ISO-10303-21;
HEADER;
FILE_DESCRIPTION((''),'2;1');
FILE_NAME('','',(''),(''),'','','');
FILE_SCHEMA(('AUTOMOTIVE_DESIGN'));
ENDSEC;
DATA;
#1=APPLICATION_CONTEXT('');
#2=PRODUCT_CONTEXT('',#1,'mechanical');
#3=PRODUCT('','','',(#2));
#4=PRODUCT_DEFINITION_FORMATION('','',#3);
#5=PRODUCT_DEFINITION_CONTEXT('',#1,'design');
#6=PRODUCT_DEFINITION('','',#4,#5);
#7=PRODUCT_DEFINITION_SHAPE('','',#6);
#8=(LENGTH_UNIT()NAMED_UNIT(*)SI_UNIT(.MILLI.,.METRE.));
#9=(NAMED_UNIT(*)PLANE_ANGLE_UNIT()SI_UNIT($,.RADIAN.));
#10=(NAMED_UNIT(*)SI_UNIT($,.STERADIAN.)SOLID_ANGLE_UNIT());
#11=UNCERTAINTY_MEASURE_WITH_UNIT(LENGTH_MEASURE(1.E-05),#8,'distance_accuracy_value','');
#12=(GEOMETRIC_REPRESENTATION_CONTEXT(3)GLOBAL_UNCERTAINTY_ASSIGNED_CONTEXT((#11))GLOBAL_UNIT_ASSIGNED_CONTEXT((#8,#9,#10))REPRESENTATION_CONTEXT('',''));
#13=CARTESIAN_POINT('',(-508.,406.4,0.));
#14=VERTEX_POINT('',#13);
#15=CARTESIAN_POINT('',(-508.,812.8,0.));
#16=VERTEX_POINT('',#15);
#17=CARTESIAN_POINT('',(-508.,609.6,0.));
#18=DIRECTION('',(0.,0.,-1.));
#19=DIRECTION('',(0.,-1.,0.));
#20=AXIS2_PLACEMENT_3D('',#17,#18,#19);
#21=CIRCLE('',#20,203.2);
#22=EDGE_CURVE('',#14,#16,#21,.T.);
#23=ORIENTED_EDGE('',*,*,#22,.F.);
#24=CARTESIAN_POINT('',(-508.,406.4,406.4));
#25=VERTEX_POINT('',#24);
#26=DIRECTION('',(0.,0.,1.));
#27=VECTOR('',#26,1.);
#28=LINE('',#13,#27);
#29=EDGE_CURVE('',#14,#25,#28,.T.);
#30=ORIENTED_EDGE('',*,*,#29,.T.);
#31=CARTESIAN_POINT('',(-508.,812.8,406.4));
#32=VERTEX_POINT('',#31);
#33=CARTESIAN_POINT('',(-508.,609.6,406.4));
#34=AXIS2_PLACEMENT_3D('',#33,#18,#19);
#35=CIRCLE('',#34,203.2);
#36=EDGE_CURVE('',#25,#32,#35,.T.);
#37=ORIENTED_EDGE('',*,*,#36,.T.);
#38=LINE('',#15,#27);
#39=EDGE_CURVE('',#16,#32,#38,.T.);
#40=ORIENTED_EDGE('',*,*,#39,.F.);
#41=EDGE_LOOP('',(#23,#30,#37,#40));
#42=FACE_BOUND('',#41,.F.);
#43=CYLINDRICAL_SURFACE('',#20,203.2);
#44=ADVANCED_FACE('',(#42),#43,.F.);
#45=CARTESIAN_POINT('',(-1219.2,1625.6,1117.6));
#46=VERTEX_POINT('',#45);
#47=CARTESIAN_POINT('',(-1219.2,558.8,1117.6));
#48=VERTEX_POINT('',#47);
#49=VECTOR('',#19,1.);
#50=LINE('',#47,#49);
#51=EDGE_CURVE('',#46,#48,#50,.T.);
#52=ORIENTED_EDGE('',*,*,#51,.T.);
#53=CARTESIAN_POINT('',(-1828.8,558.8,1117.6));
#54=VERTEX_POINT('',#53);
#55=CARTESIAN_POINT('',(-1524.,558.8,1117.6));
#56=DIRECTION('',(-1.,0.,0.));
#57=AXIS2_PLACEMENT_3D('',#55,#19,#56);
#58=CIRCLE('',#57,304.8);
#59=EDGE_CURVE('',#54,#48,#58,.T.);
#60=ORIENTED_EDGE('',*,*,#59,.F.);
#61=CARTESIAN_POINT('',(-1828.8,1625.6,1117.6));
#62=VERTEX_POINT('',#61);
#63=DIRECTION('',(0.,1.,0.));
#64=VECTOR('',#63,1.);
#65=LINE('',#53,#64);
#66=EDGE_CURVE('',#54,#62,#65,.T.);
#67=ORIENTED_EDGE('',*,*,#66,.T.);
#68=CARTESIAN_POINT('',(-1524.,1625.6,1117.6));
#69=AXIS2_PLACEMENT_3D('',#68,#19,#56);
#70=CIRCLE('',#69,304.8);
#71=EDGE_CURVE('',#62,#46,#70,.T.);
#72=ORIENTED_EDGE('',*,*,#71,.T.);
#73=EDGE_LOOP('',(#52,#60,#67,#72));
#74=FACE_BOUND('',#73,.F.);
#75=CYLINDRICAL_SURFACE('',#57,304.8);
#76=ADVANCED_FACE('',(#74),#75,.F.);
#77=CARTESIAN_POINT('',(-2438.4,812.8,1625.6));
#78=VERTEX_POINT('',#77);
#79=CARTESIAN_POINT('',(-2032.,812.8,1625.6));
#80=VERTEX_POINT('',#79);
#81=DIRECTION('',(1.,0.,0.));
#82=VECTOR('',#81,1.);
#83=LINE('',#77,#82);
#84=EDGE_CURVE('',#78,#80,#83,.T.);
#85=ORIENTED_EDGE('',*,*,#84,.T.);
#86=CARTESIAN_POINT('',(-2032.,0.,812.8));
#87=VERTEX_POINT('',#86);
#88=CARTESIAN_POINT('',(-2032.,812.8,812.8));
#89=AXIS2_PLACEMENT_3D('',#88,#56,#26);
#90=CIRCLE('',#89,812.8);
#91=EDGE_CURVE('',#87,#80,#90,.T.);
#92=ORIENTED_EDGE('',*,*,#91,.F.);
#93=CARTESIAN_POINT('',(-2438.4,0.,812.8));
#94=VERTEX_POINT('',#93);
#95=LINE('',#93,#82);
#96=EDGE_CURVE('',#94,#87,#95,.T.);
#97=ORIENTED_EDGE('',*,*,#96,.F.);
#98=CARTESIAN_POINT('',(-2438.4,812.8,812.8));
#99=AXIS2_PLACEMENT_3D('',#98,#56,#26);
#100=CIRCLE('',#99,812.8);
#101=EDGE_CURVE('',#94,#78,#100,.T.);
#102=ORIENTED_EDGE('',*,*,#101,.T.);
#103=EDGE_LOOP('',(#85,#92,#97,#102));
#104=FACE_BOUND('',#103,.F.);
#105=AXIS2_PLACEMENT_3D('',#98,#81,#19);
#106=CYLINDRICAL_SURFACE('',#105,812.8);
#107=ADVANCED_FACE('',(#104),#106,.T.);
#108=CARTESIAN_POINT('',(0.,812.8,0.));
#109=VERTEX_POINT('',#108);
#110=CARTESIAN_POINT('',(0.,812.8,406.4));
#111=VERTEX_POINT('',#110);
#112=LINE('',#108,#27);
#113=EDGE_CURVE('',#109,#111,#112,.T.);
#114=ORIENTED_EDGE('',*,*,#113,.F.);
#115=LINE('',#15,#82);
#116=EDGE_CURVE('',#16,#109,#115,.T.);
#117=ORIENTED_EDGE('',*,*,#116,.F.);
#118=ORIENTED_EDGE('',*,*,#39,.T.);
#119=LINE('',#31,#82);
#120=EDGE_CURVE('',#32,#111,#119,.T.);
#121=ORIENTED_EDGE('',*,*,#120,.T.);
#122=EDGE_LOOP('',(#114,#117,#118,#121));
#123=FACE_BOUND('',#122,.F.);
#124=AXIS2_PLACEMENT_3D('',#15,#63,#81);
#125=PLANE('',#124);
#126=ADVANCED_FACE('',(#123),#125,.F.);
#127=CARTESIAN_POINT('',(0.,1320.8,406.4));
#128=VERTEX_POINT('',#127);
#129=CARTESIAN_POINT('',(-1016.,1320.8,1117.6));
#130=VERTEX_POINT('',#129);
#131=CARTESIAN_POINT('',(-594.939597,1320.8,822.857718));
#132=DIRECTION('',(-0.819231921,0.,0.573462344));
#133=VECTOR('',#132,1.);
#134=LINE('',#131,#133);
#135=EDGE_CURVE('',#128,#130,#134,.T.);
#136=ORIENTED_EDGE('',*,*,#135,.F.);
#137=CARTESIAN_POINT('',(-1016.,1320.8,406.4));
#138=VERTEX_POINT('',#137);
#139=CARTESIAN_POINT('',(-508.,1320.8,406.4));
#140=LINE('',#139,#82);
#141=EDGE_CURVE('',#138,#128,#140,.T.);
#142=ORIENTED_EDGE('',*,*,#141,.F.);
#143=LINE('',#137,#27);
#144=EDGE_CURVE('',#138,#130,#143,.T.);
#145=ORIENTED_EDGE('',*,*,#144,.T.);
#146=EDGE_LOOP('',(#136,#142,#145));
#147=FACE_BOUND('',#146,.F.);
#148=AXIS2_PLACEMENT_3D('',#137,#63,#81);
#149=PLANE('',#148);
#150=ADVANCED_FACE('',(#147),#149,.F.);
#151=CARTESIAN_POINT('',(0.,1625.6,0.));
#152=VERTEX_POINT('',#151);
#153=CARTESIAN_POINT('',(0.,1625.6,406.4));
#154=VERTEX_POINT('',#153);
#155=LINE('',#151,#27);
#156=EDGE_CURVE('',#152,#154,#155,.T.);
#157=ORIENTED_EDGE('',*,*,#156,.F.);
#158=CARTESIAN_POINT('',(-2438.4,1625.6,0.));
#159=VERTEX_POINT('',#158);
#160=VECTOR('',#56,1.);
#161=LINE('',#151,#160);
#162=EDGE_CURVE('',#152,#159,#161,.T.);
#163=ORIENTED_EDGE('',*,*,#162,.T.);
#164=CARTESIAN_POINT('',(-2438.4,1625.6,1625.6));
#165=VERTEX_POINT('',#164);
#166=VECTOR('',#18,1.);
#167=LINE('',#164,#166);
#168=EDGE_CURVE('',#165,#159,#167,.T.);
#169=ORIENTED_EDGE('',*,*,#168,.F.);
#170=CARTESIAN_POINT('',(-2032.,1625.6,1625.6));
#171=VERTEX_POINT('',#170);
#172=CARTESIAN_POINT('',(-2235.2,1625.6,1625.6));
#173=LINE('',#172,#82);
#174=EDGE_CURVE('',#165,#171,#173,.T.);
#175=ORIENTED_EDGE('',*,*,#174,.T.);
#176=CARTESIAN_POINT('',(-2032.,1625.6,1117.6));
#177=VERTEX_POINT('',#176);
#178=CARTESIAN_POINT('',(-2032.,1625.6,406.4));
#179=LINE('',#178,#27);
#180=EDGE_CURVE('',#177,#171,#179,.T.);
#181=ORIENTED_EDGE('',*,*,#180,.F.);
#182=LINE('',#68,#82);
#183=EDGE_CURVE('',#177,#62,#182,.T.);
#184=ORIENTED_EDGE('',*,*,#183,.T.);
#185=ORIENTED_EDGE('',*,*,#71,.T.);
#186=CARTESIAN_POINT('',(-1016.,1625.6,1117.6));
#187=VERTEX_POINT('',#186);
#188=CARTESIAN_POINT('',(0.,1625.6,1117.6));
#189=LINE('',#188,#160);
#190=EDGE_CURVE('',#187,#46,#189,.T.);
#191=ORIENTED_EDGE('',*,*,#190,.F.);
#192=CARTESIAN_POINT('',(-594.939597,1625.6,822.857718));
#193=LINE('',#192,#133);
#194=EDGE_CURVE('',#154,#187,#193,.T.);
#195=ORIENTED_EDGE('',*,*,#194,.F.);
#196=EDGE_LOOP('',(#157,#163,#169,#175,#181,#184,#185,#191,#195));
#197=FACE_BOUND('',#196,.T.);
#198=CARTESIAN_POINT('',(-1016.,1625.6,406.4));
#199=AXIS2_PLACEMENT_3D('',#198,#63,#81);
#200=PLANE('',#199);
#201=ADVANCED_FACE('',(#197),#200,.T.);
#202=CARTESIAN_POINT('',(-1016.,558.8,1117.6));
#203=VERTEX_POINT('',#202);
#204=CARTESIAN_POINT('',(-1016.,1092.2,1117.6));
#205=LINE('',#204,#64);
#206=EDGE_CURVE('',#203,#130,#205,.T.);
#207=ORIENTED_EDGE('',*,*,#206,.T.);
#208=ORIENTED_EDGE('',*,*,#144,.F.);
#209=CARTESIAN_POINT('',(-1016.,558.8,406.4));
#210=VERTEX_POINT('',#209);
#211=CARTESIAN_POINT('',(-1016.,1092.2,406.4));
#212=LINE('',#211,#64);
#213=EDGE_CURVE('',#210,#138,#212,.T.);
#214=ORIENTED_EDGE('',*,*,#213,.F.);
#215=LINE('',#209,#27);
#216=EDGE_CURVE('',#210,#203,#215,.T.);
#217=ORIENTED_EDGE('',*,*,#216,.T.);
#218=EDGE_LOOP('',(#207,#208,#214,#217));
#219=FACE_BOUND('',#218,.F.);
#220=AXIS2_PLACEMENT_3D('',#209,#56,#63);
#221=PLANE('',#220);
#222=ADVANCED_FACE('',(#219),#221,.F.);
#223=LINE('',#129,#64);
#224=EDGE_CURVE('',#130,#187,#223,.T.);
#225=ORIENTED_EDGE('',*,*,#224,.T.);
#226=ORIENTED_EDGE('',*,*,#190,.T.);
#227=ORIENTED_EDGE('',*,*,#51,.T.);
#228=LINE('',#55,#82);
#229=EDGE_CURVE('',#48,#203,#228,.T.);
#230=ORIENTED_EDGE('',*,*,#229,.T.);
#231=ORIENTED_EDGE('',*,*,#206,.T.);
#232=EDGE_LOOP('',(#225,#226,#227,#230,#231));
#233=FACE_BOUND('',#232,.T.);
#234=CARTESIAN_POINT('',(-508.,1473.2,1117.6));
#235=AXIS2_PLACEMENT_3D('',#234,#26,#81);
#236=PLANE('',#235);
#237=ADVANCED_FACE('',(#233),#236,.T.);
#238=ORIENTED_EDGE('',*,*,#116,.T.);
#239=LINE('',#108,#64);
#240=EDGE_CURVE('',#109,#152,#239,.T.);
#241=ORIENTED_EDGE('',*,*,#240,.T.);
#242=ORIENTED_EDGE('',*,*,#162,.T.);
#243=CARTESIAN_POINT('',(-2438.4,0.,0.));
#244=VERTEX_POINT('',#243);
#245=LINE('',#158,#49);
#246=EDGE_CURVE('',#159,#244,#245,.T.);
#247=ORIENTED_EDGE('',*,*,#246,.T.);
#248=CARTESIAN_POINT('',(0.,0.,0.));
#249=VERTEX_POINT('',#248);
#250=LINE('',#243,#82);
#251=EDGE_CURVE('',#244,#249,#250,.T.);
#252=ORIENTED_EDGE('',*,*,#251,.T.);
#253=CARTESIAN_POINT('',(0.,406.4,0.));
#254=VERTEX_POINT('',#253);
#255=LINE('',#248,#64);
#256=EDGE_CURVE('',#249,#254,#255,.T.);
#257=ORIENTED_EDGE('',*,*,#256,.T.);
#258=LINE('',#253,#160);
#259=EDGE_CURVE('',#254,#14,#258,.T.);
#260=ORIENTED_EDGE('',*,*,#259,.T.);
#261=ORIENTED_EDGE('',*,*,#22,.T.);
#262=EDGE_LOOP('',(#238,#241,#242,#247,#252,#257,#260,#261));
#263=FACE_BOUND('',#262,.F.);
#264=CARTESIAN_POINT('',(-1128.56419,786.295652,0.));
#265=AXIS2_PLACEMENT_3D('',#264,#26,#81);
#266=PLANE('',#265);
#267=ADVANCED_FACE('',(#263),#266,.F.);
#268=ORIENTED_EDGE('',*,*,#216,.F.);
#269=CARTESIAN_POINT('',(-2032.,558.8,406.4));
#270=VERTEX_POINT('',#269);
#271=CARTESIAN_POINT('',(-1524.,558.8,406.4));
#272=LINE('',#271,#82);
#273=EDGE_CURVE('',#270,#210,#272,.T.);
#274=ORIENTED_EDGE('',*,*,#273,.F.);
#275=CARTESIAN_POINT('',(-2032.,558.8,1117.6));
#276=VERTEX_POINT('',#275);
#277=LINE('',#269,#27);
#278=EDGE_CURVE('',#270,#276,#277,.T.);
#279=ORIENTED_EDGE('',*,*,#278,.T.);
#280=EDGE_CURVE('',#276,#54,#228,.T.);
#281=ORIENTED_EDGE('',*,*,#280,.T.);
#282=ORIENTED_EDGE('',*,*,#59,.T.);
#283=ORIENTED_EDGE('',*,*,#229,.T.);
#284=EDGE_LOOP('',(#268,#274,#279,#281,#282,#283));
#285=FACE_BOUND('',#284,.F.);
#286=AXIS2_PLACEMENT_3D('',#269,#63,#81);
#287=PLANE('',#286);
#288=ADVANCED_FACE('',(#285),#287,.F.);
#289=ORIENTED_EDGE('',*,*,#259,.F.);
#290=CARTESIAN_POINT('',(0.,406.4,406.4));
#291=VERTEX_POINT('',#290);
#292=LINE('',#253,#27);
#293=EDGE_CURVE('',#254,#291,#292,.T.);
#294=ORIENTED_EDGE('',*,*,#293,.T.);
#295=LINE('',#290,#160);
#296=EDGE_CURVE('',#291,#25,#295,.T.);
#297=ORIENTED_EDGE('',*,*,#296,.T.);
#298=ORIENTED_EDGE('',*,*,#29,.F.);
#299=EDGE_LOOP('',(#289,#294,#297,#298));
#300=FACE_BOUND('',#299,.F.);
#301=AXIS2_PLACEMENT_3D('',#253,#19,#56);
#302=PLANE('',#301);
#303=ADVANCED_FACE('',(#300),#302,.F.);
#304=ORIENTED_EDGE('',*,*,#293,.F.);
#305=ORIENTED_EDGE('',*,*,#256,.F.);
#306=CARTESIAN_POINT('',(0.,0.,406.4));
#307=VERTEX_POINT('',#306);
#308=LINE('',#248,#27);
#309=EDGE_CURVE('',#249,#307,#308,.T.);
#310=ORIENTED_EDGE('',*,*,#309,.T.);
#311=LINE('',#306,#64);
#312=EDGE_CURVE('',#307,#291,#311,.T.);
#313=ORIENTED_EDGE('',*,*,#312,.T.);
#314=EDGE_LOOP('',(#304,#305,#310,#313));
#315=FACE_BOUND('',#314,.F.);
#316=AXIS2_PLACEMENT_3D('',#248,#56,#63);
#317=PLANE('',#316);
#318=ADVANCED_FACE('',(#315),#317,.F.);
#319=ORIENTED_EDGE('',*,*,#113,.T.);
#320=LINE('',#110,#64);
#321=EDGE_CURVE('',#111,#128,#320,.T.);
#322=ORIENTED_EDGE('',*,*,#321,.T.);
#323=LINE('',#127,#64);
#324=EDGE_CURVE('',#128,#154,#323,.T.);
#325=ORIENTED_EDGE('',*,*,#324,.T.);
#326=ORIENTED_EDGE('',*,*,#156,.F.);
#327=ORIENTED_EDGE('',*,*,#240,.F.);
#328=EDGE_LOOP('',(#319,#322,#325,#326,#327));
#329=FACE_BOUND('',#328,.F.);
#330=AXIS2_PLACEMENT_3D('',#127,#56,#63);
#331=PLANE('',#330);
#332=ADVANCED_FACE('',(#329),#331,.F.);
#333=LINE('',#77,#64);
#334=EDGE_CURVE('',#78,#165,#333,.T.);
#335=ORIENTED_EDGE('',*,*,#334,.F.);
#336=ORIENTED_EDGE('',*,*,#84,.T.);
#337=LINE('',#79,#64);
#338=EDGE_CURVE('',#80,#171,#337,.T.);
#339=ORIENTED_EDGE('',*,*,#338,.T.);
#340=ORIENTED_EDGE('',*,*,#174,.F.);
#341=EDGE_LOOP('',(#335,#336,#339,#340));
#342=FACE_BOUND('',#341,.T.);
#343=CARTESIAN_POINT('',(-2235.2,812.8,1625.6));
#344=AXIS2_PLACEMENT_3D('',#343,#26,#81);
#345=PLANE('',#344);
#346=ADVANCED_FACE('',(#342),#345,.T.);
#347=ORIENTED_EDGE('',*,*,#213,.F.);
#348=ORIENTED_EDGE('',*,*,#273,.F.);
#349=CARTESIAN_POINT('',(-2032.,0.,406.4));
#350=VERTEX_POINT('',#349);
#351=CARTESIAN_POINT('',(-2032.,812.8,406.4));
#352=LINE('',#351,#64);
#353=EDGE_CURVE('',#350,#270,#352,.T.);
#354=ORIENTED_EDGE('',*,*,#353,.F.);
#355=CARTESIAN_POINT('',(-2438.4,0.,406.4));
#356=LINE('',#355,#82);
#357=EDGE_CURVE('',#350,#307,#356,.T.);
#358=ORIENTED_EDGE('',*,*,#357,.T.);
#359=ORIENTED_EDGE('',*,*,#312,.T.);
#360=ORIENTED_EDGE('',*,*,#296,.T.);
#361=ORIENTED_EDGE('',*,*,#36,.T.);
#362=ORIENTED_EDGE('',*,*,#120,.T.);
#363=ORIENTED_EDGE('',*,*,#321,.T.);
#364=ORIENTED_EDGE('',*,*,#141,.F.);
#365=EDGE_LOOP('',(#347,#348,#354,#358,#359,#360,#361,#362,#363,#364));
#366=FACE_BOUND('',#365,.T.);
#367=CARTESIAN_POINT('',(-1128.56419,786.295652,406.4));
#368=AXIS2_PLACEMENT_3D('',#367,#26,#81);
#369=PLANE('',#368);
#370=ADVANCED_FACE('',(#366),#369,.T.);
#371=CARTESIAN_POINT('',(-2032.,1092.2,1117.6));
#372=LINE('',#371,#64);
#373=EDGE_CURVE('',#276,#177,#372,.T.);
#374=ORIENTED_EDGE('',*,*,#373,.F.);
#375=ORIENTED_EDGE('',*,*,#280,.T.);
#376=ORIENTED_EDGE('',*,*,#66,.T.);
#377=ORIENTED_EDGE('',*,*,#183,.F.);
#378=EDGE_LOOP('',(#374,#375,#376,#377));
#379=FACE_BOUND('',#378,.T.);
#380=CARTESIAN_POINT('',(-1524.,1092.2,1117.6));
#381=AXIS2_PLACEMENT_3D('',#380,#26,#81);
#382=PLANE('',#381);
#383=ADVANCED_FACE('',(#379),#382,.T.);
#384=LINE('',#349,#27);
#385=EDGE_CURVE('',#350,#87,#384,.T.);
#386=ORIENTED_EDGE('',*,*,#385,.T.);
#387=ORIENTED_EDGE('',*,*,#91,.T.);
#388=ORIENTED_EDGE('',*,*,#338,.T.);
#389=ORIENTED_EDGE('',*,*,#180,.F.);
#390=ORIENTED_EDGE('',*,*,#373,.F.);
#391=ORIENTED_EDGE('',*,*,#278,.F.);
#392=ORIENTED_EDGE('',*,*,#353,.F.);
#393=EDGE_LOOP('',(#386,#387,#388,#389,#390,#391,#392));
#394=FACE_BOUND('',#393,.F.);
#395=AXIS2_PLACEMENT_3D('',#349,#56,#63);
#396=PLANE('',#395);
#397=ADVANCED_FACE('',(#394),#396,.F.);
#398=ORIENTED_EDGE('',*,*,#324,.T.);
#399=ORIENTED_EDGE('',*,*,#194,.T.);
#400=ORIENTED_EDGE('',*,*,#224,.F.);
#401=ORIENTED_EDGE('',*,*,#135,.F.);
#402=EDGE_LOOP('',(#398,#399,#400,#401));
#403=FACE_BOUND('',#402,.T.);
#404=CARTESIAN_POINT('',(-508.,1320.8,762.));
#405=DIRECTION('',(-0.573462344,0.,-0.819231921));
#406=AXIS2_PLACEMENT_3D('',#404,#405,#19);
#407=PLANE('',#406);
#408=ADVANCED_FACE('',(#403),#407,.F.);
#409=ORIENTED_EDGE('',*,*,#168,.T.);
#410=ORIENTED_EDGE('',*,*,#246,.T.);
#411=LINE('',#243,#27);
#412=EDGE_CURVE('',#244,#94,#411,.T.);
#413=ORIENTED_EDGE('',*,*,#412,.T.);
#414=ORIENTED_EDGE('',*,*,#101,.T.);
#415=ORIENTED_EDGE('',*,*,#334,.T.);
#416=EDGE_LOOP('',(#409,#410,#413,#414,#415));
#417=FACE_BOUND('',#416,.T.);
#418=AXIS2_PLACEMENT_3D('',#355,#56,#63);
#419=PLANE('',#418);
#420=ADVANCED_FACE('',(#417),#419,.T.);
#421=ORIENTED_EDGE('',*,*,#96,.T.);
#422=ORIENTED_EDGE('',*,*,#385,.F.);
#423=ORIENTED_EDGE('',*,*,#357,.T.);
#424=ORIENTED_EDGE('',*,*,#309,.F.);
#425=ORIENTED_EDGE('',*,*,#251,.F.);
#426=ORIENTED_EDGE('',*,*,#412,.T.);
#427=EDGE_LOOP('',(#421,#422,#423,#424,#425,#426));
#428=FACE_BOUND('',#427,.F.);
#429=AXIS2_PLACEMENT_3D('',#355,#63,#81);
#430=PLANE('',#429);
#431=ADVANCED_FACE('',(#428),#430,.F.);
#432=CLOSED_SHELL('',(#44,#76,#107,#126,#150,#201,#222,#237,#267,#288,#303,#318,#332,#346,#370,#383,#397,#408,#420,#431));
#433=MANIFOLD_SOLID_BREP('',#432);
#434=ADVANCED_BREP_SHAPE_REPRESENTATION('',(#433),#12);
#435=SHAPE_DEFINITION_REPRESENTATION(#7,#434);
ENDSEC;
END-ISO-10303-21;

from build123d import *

# Parameters (mm, degrees)
F1_DEPTH  = 406.4
F2_W      = 406.4
F2_H      = 1625.6
F3_DEPTH  = 1219.2
F4_R      = 812.8
F5_W      = 1016
F5_H      = 1066.8
F6_DEPTH  = 711.2
F8_DEPTH  = 1066.8
F9_W      = 1016
F9_H      = 304.8
F10_DEPTH = 711.2
F11_SIZE2 = 1016
F11_SIZE  = 711.2


with BuildPart() as f1:
    # F0 (on Top) → F1 (new body)
    with BuildSketch(Plane.XY):
        with BuildLine():
            Line((-2438.4, 0), (0, 0))
            Line((0, 0), (0, 406.4))
            Line((0, 406.4), (-508, 406.4))
            ThreePointArc((-508, 406.4), (-711.2, 609.6), (-508, 812.8))
            Line((-508, 812.8), (0, 812.8))
            Line((0, 812.8), (0, 1320.8))
            Line((0, 1320.8), (0, 1625.6))
            Line((0, 1625.6), (-863.6, 1625.6))
            Line((-863.6, 1625.6), (-2438.4, 1625.6))
            Line((-2438.4, 1625.6), (-2438.4, 0))
        make_face()
    extrude(amount=F1_DEPTH)

    # F2 (on face) → F3 (join)
    with BuildSketch(Plane.XY.offset(406.4)):
        with Locations((-2235.2, 812.8)):
            Rectangle(F2_W, F2_H)
    extrude(amount=F3_DEPTH)

    # F4
    f4_edges = [f1.edges().sort_by_distance(p)[0] for p in [
        (-2235.2, 0, 1625.6),
    ]]
    fillet(f4_edges, radius=F4_R)

    # F5 (on face) → F6 (join)
    with BuildSketch(Plane.XY.offset(406.4)):
        with Locations((-1524, 1092.2)):
            Rectangle(F5_W, F5_H)
    extrude(amount=F6_DEPTH)

    # F7 (on face) → F8 (cut)
    with BuildSketch(Plane.XZ.offset(-558.8)):
        with BuildLine():
            Line((-1524, 1117.6), (-1219.2, 1117.6))
            ThreePointArc((-1219.2, 1117.6), (-1524, 1422.4), (-1828.8, 1117.6))
            Line((-1828.8, 1117.6), (-1524, 1117.6))
        make_face()
        with BuildLine():
            ThreePointArc((-1828.8, 1117.6), (-1524, 812.8), (-1219.2, 1117.6))
            Line((-1219.2, 1117.6), (-1524, 1117.6))
            Line((-1524, 1117.6), (-1828.8, 1117.6))
        make_face()
    extrude(amount=-F8_DEPTH, mode=Mode.SUBTRACT)

    # F9 (on face) → F10 (join)
    with BuildSketch(Plane.XY.offset(406.4)):
        with Locations((-508, 1473.2)):
            Rectangle(F9_W, F9_H)
    extrude(amount=F10_DEPTH)

    # F11
    f11_edges = [f1.edges().sort_by_distance(p)[0] for p in [
        (0, 1473.2, 1117.6),
    ]]
    f11_side = f1.faces().sort_by_distance((0, 826.619094, 203.2))[0]
    chamfer(f11_edges, length=F11_SIZE, length2=F11_SIZE2, reference=f11_side)


solid = f1.part
